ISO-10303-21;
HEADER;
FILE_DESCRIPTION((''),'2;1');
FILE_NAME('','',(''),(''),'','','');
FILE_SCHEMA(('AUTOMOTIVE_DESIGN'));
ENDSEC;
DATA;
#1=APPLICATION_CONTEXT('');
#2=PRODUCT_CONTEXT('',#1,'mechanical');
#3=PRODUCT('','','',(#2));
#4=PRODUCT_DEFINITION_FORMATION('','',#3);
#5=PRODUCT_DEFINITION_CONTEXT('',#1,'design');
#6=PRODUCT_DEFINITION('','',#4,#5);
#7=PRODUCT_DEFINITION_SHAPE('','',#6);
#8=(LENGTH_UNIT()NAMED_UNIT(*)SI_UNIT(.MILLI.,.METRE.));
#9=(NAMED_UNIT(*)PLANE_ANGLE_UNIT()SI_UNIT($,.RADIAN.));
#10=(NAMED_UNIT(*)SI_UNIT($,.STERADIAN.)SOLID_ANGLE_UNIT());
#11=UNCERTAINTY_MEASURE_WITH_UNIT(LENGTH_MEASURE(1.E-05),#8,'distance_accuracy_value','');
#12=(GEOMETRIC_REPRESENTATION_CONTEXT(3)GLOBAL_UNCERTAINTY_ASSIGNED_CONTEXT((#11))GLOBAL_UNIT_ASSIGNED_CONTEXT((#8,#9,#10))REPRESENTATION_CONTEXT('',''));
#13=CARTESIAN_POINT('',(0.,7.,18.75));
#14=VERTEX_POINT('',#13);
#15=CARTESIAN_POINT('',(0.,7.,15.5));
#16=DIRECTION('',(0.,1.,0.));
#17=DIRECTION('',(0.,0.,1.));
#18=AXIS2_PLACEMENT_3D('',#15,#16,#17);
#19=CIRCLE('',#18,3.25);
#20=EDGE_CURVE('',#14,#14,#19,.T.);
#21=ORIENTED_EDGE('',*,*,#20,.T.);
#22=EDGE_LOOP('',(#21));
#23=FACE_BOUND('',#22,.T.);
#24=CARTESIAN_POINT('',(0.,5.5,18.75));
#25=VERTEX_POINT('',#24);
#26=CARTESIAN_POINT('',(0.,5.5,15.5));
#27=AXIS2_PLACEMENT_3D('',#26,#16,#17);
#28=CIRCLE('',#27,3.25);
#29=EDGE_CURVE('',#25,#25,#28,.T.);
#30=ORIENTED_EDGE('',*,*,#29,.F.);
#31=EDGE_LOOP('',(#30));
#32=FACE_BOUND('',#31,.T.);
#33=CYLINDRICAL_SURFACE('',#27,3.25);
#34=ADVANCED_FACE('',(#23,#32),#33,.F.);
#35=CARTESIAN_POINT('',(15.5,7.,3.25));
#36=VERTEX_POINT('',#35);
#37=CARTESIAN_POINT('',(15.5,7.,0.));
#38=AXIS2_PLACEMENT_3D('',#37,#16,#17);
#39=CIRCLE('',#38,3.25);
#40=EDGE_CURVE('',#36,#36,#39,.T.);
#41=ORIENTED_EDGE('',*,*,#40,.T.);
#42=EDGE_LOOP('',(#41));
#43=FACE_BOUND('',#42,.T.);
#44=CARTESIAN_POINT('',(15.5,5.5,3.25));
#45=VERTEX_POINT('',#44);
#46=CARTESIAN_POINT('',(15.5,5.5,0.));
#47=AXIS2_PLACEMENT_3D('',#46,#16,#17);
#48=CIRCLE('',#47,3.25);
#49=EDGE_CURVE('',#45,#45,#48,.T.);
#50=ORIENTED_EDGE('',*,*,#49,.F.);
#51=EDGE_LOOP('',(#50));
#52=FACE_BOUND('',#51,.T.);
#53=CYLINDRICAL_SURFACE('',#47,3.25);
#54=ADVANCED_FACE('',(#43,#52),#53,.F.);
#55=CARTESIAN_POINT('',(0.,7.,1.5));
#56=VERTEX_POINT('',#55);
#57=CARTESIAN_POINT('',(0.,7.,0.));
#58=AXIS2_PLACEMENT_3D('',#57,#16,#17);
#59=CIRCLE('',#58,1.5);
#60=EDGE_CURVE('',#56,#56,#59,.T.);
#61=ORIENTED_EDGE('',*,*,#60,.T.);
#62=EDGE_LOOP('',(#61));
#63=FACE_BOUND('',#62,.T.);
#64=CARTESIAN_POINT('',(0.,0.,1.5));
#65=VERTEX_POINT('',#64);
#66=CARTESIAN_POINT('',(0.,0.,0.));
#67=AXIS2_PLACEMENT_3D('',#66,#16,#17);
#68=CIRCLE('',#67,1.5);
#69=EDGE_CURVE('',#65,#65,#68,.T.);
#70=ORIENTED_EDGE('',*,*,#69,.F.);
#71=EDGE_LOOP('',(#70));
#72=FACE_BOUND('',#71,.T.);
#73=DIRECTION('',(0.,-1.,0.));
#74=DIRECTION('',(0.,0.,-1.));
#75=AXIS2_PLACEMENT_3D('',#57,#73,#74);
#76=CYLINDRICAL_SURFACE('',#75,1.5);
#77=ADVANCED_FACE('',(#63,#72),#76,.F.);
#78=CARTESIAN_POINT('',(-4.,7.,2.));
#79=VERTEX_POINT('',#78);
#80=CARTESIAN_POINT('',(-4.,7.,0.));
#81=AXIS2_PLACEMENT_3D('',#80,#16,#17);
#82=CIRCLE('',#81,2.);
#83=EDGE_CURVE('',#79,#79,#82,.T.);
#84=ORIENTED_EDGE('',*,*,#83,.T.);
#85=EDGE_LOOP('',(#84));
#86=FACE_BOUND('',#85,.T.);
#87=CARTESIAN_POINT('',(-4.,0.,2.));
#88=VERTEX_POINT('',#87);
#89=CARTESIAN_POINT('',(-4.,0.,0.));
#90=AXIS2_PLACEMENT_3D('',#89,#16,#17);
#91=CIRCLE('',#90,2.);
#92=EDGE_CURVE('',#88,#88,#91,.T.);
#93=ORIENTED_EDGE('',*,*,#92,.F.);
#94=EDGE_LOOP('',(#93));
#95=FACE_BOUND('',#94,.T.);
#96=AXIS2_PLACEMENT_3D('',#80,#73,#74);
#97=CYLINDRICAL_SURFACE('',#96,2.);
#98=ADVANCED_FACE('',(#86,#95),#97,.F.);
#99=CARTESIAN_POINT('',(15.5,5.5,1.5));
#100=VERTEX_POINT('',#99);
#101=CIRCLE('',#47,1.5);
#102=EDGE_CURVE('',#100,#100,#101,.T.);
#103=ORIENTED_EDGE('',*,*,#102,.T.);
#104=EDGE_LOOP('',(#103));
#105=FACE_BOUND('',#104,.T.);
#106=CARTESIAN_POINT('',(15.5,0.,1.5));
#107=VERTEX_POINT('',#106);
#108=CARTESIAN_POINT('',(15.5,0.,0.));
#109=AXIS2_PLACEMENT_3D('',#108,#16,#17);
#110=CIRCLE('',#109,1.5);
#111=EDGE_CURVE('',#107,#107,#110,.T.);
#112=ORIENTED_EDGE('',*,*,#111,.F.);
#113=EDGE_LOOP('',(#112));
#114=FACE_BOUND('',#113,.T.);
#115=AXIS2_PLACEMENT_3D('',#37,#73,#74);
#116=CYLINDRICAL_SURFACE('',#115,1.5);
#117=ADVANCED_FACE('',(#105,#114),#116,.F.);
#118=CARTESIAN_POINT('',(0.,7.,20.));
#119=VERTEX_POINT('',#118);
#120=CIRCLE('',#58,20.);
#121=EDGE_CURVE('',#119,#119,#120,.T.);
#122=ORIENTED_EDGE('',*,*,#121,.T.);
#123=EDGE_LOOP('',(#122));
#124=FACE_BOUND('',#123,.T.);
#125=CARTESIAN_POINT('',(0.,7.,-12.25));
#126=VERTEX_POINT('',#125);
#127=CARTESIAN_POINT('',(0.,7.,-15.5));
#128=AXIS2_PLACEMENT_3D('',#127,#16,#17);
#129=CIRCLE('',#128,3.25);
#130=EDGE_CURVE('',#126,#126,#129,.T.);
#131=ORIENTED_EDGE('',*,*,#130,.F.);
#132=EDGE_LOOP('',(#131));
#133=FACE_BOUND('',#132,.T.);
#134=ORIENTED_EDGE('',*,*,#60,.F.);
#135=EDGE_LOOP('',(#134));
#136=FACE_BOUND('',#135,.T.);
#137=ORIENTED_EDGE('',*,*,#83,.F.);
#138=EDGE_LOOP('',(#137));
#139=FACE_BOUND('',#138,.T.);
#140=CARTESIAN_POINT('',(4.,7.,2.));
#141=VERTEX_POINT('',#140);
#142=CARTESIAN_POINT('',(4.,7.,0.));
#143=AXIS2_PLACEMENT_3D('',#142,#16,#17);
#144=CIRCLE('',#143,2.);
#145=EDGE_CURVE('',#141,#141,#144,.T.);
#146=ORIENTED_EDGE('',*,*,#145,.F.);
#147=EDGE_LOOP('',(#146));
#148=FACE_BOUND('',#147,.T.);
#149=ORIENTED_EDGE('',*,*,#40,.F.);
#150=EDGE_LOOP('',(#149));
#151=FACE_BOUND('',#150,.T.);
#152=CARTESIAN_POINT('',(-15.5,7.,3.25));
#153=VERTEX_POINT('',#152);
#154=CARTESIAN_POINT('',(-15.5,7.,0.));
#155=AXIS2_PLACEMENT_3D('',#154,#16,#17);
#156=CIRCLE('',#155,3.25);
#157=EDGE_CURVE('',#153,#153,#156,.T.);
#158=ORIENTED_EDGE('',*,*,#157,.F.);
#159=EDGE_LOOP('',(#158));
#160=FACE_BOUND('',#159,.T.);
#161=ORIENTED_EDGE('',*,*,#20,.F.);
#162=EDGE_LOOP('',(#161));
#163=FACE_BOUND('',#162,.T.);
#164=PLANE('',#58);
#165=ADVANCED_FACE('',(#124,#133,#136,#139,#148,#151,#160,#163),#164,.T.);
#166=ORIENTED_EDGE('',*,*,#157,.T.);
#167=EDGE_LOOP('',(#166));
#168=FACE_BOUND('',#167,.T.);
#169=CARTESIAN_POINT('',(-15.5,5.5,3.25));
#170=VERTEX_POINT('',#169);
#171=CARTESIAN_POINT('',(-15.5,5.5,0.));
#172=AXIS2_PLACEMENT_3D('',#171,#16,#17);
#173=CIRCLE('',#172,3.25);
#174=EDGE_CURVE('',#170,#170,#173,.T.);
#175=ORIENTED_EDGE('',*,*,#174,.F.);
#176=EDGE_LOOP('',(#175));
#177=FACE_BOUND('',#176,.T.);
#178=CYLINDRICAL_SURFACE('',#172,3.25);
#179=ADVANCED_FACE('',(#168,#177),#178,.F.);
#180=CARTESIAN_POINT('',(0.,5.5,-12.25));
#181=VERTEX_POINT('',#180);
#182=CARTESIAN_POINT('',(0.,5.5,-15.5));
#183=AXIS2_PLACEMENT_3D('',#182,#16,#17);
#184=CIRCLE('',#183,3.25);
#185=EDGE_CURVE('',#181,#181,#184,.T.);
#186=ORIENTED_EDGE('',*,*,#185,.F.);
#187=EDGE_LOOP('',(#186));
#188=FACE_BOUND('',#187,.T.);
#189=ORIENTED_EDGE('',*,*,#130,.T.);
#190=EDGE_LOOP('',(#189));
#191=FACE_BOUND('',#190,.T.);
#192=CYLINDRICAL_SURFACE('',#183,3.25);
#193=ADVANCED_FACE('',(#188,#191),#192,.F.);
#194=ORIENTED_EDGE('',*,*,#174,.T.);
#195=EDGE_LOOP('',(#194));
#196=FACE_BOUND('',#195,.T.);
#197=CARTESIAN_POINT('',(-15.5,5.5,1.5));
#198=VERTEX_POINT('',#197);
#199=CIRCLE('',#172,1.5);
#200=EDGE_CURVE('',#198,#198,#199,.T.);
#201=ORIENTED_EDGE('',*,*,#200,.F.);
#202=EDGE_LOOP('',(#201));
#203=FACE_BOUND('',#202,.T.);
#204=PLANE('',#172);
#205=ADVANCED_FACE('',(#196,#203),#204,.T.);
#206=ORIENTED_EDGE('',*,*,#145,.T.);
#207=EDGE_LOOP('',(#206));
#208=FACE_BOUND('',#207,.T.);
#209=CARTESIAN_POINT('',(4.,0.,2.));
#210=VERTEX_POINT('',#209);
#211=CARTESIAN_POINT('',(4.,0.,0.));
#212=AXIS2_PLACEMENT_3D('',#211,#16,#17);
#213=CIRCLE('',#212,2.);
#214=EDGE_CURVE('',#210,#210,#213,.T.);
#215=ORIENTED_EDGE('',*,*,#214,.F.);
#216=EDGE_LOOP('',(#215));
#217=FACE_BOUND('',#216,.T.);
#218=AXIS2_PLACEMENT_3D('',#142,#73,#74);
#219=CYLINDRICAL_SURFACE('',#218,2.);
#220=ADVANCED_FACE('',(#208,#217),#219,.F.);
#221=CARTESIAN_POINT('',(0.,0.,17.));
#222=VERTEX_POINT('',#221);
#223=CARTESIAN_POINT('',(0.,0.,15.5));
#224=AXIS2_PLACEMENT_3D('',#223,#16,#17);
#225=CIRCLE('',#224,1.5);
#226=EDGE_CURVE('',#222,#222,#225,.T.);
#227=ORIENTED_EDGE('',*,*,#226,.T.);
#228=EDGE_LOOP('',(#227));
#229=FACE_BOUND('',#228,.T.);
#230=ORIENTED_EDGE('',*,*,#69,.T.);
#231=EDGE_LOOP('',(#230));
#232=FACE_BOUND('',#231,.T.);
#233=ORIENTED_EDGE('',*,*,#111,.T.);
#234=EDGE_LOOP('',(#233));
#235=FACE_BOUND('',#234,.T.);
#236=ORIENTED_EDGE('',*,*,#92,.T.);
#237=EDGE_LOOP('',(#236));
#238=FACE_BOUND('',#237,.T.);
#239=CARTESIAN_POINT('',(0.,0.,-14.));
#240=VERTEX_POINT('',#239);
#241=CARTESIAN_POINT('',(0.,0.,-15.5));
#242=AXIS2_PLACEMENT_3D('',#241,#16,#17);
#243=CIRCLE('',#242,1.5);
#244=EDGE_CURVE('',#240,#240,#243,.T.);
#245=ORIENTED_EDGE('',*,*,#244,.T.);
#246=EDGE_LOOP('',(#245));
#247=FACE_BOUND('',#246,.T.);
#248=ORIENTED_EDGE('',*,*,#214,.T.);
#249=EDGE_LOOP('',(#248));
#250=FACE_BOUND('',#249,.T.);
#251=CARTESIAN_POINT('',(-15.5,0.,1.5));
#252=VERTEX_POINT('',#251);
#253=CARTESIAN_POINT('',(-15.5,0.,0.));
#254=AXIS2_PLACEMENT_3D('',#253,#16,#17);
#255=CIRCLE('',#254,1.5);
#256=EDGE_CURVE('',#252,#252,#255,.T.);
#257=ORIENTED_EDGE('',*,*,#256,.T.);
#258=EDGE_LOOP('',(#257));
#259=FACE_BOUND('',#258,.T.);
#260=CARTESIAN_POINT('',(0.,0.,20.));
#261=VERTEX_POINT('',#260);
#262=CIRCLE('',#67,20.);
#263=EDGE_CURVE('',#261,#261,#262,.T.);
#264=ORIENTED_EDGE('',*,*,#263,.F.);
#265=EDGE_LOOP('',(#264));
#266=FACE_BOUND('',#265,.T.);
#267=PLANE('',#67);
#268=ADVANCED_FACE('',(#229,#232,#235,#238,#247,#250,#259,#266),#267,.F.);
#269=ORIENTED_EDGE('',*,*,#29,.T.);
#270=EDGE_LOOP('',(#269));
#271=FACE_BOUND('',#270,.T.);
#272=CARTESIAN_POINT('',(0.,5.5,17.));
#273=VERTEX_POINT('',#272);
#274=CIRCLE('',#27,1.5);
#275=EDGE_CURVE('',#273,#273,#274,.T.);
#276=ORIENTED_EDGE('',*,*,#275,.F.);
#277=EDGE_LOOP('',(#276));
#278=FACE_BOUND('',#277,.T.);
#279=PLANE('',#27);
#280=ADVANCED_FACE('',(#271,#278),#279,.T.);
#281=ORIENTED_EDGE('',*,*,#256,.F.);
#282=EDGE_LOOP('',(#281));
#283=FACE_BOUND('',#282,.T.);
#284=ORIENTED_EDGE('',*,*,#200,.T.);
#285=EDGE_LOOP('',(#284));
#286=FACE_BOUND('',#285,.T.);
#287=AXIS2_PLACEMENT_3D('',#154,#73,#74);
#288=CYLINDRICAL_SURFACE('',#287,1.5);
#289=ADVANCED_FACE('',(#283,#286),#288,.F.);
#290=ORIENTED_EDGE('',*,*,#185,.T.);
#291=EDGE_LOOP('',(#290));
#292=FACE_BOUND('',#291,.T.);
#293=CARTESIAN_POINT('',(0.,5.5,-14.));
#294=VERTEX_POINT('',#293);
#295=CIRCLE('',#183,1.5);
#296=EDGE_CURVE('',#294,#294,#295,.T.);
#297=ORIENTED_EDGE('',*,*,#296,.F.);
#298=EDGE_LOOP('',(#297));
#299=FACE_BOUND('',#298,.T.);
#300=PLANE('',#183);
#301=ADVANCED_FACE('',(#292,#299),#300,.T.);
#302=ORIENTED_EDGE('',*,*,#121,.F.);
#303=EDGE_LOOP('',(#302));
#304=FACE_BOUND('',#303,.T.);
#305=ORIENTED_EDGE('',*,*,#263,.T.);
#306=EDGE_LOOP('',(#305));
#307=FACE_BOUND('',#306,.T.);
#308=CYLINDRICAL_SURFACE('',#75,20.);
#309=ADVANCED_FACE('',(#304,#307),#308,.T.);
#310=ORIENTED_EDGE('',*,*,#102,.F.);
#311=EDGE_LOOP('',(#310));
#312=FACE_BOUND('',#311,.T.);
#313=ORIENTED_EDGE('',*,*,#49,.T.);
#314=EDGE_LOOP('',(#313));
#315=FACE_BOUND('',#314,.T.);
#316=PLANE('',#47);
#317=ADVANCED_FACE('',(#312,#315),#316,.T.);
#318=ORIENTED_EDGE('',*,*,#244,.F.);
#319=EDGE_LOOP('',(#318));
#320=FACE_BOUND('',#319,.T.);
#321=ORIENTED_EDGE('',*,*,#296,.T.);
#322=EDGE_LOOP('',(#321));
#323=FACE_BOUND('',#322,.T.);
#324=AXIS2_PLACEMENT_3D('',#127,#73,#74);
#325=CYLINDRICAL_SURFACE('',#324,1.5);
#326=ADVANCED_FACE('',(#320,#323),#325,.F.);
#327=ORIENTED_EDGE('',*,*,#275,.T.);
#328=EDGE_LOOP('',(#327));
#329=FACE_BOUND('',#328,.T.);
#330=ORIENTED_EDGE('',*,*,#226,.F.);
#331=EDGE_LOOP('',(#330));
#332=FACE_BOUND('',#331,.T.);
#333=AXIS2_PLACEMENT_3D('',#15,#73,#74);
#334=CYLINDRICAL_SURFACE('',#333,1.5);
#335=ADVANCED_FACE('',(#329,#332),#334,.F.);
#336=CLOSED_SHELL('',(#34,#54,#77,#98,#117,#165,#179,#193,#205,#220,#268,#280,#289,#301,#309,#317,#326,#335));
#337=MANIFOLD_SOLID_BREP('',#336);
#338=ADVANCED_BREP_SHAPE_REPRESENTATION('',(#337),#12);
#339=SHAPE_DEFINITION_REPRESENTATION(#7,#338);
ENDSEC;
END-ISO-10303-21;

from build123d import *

# Parameters (mm, degrees)
SKETCH1_R           = 20
SKETCH1_R_2         = 1.5
SKETCH1_R_3         = 2
BOSS_EXTRUDE1_DEPTH = 7
SKETCH2_R           = 3.25
CUT_EXTRUDE1_DEPTH  = 1.5


with BuildPart() as part:
    # Sketch1 → Boss-Extrude1 (new body)
    with BuildSketch(Plane(origin=(0, 0, 0), x_dir=(1, 0, 0), z_dir=(0, 1, 0))):
        with Locations(Location((0, 0, 0), (0, 0, 270))):
            Circle(SKETCH1_R)
        with Locations(Location((0, 15.5, 0), (0, 0, 270))):
            Circle(SKETCH1_R_2, mode=Mode.SUBTRACT)
        with Locations(Location((15.5, 0, 0), (0, 0, 270))):
            Circle(SKETCH1_R_2, mode=Mode.SUBTRACT)
        with Locations(Location((0, -15.5, 0), (0, 0, 270))):
            Circle(SKETCH1_R_2, mode=Mode.SUBTRACT)
        with Locations(Location((-15.5, 0, 0), (0, 0, 270))):
            Circle(SKETCH1_R_2, mode=Mode.SUBTRACT)
        with Locations(Location((-4, 0, 0), (0, 0, 270))):
            Circle(SKETCH1_R_3, mode=Mode.SUBTRACT)
        with Locations(Location((4, 0, 0), (0, 0, 270))):
            Circle(SKETCH1_R_3, mode=Mode.SUBTRACT)
        with Locations(Location((0, 0, 0), (0, 0, 270))):
            Circle(SKETCH1_R_2, mode=Mode.SUBTRACT)
    extrude(amount=BOSS_EXTRUDE1_DEPTH)

    # Sketch2 → Cut-Extrude1 (cut)
    with BuildSketch(Plane(origin=(0, 7, 0), x_dir=(1, 0, 0), z_dir=(0, 1, 0))):
        with Locations(Location((0, 15.5, 0), (0, 0, 270))):
            Circle(SKETCH2_R)
        with Locations(Location((15.5, 0, 0), (0, 0, 270))):
            Circle(SKETCH2_R)
        with Locations(Location((0, -15.5, 0), (0, 0, 270))):
            Circle(SKETCH2_R)
        with Locations(Location((-15.5, 0, 0), (0, 0, 270))):
            Circle(SKETCH2_R)
    extrude(amount=-CUT_EXTRUDE1_DEPTH, mode=Mode.SUBTRACT)


solid = part.part
